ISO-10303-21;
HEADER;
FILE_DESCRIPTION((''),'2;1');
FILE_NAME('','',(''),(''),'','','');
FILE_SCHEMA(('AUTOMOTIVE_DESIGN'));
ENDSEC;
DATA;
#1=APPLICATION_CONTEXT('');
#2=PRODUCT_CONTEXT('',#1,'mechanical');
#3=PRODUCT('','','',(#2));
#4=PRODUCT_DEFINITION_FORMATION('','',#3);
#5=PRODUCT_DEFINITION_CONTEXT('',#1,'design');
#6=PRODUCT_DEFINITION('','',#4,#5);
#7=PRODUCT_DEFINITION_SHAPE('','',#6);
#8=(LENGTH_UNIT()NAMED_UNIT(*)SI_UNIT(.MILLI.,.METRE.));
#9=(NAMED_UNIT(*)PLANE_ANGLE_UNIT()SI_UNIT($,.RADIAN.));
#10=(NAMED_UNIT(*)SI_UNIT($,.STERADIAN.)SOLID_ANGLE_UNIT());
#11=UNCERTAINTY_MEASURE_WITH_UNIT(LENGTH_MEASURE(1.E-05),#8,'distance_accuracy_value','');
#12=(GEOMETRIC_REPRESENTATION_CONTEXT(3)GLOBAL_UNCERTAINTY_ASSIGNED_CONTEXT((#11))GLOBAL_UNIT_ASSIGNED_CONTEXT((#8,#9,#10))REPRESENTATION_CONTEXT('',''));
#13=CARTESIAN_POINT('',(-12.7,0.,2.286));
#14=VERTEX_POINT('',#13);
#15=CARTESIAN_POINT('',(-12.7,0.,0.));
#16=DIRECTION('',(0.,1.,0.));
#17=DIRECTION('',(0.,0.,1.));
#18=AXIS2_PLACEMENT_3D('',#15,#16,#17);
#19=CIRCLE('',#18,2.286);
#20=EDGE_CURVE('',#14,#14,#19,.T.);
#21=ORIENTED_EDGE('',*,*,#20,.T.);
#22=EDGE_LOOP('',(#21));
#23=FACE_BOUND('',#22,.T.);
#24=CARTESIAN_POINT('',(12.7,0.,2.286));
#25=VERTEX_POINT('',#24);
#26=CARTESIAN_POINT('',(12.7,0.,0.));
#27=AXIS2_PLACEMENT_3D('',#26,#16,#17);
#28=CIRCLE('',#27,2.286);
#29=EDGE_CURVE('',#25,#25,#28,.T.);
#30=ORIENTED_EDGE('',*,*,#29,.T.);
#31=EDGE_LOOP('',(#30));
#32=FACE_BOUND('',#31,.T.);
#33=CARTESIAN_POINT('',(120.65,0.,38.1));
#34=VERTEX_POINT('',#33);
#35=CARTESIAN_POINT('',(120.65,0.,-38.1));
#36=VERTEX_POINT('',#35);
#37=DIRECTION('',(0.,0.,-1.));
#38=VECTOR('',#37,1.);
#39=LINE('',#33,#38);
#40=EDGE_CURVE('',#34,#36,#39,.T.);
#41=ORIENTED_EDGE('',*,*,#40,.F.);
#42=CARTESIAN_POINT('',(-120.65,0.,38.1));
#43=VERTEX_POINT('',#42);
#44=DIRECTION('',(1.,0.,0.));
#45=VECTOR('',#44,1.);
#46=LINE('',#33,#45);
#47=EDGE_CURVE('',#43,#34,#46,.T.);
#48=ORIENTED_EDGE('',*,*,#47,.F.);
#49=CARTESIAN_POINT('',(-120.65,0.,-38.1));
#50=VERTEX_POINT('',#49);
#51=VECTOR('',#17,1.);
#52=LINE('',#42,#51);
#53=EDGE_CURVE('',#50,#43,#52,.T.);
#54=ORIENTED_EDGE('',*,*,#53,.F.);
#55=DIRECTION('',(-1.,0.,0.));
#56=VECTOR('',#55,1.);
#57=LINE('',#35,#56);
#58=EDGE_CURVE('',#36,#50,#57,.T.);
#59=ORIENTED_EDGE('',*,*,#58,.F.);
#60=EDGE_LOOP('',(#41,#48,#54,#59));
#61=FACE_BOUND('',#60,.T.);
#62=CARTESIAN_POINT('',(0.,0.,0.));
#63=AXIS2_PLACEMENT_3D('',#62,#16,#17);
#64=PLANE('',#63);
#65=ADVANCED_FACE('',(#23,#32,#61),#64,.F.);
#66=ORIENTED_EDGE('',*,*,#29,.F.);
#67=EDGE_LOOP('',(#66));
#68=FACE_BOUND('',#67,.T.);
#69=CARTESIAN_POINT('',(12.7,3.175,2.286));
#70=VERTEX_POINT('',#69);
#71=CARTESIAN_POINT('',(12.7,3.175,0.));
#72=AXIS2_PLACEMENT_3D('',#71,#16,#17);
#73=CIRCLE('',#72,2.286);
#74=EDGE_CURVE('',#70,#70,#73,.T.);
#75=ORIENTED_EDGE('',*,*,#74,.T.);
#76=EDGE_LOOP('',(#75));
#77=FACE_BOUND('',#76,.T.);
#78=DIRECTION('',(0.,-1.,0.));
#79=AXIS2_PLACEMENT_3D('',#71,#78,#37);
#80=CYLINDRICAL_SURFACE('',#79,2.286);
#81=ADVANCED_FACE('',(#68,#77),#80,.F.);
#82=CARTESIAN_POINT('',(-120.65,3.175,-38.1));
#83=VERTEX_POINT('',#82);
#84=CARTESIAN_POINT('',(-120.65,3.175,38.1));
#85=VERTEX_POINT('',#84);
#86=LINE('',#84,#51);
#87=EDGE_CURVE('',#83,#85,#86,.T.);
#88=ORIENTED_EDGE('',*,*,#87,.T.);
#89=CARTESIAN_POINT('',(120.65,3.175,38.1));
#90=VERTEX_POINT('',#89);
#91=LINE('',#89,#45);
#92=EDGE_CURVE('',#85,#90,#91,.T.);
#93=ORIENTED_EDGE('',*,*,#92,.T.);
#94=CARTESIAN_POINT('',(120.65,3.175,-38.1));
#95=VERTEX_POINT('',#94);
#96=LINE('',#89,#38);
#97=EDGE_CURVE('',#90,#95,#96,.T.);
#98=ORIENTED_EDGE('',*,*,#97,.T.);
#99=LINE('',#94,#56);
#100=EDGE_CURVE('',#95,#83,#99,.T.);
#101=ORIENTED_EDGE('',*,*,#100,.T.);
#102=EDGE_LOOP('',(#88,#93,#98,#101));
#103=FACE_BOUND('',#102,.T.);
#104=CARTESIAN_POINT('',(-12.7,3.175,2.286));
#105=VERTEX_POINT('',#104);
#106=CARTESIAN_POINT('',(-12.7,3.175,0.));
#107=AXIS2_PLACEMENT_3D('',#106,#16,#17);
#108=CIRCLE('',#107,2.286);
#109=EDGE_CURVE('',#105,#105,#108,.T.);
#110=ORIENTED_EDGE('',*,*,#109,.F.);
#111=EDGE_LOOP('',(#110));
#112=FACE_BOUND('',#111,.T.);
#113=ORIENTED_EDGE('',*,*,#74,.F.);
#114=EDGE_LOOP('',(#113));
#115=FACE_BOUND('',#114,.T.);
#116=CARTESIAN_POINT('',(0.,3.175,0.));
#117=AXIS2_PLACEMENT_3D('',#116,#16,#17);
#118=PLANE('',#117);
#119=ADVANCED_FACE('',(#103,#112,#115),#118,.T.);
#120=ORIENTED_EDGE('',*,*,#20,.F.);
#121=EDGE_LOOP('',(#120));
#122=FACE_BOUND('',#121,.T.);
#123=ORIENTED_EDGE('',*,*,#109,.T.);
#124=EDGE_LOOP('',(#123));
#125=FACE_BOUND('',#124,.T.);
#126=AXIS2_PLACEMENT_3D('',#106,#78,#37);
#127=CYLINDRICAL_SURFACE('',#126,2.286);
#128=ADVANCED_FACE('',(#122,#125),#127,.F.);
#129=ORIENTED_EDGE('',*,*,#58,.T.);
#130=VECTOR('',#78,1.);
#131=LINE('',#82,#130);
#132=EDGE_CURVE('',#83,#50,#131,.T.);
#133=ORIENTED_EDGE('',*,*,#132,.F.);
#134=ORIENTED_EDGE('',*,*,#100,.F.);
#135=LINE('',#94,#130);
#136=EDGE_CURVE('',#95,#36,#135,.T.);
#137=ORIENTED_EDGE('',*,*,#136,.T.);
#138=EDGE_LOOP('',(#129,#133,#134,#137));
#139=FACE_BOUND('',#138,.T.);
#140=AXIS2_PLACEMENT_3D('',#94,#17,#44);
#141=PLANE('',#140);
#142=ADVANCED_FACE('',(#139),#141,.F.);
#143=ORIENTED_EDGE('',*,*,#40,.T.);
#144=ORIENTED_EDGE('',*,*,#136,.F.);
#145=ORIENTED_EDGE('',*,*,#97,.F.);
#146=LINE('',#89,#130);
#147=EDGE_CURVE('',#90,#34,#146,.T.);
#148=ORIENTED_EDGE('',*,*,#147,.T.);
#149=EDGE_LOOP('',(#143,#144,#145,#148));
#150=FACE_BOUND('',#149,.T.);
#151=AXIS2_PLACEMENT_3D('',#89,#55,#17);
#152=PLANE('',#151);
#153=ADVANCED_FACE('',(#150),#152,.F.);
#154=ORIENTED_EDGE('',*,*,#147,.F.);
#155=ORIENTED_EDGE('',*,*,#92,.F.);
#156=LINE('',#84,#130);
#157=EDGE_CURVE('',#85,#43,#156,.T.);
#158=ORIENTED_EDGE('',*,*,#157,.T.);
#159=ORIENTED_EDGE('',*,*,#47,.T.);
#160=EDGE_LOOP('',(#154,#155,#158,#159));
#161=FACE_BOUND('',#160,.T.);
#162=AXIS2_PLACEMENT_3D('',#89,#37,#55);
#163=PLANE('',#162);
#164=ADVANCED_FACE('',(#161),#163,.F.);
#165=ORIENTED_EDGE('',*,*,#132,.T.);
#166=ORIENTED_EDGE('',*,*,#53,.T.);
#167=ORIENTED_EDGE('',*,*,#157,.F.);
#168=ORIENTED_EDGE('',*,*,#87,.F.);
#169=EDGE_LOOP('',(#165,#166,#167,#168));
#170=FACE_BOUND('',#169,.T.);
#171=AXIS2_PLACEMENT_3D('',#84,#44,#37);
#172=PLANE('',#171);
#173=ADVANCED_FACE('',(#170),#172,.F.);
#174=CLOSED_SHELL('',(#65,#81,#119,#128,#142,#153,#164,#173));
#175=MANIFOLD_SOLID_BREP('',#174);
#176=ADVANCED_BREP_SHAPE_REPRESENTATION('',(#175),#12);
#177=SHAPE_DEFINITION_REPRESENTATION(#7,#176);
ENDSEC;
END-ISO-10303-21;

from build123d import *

# Parameters (mm, degrees)
SKETCH1_W           = 241.3
SKETCH1_H           = 76.2
SKETCH1_R           = 2.286
BOSS_EXTRUDE1_DEPTH = 3.175


with BuildPart() as part:
    # Sketch1 → Boss-Extrude1 (new body)
    with BuildSketch(Plane(origin=(0, 0, 0), x_dir=(1, 0, 0), z_dir=(0, 1, 0))):
        Rectangle(SKETCH1_W, SKETCH1_H)
        with Locations(Location((-12.7, 0, 0), (0, 0, 270))):
            Circle(SKETCH1_R, mode=Mode.SUBTRACT)
        with Locations(Location((12.7, 0, 0), (0, 0, 270))):
            Circle(SKETCH1_R, mode=Mode.SUBTRACT)
    extrude(amount=BOSS_EXTRUDE1_DEPTH)


solid = part.part
